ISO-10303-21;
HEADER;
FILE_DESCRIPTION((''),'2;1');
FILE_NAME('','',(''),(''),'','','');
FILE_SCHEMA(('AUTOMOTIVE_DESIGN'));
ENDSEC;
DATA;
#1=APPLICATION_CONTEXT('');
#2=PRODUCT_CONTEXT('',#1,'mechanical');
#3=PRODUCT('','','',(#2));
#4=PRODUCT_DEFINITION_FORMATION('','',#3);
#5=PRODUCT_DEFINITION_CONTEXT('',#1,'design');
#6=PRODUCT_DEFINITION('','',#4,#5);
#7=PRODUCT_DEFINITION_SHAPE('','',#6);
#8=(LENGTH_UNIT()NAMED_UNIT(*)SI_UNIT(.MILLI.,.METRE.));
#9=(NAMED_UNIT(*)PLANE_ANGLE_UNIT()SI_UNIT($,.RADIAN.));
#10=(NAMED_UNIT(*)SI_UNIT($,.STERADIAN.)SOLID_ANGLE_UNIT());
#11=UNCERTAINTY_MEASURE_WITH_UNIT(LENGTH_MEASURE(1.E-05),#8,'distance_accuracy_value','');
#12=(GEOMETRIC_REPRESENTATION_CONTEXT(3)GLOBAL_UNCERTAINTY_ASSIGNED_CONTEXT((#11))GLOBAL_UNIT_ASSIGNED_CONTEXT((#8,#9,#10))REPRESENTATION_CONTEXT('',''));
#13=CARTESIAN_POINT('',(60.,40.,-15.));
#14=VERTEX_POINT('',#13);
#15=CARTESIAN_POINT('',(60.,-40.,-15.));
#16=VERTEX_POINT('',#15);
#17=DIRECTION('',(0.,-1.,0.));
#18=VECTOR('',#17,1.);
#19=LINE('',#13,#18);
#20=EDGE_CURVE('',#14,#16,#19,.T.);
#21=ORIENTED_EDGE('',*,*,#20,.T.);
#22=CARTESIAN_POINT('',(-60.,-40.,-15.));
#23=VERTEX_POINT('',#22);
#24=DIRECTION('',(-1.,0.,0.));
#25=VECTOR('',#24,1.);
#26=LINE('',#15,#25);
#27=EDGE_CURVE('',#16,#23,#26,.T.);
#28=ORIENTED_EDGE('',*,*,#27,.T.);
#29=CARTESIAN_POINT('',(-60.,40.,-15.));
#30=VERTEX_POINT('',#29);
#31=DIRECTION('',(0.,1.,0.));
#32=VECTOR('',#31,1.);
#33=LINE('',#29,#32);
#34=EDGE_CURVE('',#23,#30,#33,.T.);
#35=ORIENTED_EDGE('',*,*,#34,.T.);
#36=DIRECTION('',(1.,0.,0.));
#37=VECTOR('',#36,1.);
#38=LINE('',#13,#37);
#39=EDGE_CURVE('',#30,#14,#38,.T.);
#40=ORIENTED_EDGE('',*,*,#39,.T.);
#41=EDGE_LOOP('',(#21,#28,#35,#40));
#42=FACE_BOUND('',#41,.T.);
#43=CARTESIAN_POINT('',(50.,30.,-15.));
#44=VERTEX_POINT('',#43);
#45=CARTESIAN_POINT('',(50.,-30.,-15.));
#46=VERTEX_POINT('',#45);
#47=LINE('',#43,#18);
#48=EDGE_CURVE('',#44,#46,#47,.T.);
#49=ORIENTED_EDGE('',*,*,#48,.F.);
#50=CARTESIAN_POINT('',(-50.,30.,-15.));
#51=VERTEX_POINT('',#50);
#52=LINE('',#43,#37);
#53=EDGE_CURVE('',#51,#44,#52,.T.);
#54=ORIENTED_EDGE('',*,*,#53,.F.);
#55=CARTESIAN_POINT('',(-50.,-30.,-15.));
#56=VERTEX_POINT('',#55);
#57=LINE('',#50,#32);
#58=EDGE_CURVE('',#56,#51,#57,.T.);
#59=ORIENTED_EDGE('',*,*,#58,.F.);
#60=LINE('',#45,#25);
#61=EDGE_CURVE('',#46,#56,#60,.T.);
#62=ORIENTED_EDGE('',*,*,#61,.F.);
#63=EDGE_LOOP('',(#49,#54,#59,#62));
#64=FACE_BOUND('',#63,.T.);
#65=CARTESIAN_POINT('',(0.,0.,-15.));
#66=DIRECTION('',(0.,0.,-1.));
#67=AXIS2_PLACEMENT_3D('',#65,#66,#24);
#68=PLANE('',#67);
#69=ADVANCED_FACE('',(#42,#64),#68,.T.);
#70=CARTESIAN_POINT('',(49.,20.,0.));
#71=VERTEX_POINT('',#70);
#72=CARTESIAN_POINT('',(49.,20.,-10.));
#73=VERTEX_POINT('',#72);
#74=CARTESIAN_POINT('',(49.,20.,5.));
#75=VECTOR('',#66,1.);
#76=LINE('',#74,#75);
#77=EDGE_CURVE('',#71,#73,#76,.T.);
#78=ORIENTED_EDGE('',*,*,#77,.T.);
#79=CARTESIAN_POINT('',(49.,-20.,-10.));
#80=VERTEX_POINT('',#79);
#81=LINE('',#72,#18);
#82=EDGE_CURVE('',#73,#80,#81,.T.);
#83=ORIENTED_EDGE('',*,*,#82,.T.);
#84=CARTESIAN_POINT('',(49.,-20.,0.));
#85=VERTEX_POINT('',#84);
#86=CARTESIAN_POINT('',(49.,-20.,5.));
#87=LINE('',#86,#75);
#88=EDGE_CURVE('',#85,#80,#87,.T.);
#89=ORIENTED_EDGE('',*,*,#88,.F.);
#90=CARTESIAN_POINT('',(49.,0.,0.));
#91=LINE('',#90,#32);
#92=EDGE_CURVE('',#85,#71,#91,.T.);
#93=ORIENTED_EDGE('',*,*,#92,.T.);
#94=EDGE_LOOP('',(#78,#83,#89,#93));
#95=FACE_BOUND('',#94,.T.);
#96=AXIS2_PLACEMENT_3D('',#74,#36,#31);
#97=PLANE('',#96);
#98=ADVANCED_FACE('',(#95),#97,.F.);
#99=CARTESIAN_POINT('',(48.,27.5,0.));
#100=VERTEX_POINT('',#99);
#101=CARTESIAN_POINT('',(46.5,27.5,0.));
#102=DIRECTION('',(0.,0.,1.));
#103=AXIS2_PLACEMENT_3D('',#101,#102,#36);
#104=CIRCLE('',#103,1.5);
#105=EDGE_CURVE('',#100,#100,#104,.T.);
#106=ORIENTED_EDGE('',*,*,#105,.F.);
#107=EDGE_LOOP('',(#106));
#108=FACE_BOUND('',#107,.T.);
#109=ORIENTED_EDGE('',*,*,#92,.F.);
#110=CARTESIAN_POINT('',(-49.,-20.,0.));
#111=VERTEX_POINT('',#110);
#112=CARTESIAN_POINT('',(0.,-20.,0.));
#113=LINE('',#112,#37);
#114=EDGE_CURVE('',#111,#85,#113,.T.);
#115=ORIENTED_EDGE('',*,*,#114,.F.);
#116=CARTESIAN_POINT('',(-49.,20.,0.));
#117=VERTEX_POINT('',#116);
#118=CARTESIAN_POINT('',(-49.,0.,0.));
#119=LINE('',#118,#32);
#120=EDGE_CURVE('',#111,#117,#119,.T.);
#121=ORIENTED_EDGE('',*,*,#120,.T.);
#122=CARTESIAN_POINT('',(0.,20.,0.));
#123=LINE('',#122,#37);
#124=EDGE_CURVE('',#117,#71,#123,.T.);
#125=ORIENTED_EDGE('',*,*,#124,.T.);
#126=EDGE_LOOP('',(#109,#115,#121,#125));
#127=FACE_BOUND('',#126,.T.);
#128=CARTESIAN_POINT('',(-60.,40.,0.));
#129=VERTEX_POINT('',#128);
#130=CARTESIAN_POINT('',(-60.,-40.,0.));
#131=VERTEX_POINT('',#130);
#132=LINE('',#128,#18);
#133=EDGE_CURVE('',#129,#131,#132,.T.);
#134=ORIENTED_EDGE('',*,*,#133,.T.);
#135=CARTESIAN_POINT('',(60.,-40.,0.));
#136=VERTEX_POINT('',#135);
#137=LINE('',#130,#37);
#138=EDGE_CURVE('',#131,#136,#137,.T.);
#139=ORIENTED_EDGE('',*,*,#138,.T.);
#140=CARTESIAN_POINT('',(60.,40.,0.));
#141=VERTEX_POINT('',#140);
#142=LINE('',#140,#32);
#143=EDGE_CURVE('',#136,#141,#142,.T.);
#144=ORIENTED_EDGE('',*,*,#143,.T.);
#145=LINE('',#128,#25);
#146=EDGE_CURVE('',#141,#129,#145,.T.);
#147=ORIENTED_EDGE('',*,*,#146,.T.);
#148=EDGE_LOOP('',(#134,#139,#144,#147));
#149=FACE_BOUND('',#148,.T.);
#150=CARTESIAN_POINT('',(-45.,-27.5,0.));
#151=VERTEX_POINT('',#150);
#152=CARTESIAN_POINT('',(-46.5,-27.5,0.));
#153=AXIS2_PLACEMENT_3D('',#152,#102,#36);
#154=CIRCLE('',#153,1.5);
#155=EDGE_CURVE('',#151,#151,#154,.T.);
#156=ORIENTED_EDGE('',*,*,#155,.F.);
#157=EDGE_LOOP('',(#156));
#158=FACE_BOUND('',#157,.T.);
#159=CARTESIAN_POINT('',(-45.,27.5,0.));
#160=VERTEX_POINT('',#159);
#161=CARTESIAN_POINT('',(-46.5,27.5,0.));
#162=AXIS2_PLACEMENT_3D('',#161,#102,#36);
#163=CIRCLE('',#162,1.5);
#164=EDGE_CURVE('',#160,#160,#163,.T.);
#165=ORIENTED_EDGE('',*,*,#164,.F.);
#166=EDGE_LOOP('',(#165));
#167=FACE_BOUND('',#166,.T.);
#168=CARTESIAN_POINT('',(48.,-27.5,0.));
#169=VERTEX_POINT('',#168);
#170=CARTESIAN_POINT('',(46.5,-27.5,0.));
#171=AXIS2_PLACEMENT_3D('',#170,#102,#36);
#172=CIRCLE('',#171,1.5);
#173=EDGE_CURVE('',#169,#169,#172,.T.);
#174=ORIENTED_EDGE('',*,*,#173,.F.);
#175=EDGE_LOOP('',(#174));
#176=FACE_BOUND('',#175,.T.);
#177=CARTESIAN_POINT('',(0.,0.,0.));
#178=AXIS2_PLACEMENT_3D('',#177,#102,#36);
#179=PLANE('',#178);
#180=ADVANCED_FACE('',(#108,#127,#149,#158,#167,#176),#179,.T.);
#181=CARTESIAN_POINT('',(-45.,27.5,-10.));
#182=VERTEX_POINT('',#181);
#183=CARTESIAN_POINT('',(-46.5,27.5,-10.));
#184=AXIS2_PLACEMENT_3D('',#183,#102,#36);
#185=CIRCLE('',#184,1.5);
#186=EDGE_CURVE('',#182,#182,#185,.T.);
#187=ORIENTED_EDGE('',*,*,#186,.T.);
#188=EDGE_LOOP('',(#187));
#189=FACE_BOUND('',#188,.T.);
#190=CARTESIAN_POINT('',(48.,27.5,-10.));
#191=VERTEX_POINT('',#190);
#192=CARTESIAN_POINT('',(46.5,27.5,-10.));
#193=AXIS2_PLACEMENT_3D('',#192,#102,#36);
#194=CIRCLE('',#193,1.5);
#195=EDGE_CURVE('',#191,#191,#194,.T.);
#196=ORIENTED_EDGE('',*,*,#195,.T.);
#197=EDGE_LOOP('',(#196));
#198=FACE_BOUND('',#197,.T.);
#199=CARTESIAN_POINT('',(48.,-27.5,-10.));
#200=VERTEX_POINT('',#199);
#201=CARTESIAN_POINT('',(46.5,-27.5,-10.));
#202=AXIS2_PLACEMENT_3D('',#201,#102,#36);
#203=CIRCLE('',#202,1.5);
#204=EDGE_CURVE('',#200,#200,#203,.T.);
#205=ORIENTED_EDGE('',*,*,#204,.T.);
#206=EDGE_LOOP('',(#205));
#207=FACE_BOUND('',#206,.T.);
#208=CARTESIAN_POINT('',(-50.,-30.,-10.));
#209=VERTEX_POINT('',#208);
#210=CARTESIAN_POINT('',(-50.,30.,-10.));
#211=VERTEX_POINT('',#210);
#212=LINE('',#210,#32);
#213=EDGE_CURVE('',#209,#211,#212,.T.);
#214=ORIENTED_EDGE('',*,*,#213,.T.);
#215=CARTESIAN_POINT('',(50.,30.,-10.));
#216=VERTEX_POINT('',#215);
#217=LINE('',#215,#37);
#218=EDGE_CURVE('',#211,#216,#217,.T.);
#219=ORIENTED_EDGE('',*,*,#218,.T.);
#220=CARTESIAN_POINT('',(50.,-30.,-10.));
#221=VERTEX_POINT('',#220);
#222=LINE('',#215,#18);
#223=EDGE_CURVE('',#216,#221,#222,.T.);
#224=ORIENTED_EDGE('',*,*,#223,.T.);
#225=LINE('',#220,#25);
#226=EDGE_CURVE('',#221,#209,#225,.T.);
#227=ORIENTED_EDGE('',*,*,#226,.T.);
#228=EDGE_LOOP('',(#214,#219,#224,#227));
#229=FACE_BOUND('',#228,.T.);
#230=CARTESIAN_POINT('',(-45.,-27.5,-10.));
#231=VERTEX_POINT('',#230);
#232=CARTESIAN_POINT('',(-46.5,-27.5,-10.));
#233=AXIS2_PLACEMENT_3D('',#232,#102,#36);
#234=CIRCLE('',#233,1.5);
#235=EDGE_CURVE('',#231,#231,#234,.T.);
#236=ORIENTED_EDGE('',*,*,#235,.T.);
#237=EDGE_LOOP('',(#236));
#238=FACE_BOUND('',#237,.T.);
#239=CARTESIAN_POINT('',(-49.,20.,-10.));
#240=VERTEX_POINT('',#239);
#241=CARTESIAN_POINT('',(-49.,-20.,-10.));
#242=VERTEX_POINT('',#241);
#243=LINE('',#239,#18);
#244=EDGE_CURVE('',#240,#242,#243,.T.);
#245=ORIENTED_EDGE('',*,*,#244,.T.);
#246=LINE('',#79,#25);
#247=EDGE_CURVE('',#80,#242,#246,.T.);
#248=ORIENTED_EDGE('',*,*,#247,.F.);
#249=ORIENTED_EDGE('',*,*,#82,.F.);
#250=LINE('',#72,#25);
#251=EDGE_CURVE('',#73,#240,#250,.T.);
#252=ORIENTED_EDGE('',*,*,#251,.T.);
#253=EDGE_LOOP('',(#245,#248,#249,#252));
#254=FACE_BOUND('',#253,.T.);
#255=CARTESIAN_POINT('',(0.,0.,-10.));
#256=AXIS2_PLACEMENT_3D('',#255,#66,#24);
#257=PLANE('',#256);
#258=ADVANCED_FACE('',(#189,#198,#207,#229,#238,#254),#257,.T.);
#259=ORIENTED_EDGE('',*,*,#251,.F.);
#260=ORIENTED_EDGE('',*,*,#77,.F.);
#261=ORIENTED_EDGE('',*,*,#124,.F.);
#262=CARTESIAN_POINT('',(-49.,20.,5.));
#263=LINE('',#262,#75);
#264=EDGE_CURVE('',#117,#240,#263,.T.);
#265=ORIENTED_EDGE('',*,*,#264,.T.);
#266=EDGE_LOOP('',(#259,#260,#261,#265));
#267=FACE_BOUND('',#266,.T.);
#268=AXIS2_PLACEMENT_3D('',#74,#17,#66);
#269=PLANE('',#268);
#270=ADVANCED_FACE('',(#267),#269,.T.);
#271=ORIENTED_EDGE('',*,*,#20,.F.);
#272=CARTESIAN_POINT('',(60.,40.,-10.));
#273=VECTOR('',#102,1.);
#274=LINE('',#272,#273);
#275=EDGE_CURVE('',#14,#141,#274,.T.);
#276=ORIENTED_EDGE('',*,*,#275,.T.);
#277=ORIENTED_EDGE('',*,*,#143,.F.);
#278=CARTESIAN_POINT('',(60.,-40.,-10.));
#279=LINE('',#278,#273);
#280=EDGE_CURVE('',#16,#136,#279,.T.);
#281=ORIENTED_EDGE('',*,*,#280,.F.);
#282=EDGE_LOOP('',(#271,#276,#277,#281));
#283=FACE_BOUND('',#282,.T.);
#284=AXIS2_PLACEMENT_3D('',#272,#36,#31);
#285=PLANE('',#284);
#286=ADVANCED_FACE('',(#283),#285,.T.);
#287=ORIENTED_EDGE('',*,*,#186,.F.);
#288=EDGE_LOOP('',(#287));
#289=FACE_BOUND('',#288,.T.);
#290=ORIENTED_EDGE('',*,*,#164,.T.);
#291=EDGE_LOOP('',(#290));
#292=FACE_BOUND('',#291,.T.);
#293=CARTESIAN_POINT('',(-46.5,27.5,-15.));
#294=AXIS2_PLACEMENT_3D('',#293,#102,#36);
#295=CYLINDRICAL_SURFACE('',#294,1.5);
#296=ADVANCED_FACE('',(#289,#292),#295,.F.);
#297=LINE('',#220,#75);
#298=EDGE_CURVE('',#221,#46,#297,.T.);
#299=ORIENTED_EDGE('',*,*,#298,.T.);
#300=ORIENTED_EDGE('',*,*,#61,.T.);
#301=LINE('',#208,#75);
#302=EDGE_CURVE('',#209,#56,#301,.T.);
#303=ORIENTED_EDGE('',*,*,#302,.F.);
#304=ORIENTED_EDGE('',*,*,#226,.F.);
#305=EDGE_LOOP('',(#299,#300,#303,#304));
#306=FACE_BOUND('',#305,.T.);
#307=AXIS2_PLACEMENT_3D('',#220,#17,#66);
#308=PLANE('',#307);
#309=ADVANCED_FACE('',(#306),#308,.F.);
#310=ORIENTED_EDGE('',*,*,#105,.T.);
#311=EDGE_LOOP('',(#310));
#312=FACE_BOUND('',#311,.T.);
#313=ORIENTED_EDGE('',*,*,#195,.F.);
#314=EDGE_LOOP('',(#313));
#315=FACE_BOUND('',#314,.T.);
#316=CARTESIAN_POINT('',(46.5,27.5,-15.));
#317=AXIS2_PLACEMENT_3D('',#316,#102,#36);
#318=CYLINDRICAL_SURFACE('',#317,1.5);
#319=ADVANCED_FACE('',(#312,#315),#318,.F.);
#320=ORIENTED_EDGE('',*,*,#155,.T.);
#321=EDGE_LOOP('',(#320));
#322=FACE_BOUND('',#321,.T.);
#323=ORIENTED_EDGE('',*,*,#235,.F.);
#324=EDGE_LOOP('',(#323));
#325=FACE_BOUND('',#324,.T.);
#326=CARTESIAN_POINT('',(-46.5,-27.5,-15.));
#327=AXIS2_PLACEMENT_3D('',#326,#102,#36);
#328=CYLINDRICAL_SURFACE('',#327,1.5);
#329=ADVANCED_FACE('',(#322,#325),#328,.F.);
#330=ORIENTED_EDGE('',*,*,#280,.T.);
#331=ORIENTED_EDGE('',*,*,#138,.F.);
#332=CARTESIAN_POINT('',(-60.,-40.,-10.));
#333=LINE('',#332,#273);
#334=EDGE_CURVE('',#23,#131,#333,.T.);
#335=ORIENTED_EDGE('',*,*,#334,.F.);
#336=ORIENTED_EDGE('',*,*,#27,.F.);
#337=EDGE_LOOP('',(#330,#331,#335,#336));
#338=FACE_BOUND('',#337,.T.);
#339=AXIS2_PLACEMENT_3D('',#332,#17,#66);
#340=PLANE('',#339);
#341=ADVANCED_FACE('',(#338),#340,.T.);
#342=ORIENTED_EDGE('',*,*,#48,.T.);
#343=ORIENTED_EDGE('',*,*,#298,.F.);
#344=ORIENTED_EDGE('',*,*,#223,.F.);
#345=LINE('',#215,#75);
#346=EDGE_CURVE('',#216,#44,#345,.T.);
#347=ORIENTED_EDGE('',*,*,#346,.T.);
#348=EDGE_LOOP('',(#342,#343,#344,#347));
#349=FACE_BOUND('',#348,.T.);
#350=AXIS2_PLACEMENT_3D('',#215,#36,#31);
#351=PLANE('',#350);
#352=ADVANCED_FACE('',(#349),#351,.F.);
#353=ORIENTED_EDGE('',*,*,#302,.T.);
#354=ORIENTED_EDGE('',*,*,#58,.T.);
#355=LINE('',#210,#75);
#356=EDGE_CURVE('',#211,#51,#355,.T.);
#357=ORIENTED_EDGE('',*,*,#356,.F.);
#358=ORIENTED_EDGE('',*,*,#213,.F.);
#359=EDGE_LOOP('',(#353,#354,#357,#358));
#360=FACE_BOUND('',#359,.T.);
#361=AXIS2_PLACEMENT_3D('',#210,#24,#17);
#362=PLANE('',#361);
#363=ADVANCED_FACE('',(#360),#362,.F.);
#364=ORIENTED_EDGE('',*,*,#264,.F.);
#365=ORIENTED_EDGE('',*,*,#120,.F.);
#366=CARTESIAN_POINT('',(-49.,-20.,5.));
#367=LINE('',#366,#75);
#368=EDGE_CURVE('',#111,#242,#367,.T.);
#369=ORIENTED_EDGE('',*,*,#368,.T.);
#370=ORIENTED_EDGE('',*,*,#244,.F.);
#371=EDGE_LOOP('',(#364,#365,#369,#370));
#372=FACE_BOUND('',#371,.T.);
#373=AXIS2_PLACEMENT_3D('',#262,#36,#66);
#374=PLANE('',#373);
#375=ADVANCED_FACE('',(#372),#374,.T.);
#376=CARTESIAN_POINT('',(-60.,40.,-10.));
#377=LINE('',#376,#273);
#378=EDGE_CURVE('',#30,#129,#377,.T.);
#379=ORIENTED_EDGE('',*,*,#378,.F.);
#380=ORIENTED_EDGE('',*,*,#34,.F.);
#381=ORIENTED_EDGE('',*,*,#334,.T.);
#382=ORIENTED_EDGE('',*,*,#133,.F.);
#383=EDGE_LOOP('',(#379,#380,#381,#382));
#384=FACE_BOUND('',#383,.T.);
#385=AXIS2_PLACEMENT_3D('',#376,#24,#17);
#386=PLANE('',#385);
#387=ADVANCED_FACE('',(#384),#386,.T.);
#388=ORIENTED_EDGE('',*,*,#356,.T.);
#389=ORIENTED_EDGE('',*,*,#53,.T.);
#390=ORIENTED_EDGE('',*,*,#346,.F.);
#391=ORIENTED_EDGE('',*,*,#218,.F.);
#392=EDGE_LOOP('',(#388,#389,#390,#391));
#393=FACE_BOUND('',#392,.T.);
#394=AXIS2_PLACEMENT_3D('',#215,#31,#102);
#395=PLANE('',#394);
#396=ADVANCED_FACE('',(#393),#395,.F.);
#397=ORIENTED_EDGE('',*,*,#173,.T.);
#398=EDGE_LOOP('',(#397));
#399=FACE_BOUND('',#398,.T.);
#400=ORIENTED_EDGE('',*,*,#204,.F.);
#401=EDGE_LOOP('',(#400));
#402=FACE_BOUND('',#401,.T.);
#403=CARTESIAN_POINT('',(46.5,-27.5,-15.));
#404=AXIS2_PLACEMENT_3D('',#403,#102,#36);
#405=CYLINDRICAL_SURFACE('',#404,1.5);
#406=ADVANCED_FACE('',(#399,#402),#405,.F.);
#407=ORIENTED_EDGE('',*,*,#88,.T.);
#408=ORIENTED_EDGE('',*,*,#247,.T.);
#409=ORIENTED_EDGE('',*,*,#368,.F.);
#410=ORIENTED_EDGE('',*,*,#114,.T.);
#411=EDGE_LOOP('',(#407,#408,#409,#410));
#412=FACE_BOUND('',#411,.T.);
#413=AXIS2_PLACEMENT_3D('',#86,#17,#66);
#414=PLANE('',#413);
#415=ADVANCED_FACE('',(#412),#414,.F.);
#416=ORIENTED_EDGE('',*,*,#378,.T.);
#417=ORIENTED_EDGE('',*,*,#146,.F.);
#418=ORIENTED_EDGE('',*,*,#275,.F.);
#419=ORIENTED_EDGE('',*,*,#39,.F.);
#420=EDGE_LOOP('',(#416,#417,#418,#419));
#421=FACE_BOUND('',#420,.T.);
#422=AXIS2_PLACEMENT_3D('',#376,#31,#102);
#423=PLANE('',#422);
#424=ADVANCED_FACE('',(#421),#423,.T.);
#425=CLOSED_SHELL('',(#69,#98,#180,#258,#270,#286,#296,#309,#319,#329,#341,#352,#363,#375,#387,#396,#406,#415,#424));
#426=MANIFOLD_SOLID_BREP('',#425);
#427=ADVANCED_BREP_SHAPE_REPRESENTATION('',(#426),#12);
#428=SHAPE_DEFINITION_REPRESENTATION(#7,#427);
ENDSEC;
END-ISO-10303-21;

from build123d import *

# Parameters (mm, degrees)
SKETCH1_W           = 120
SKETCH1_H           = 80
BOSS_EXTRUDE1_DEPTH = 10
SKETCH2_W           = 98
SKETCH2_H           = 40
CUT_EXTRUDE2_DEPTH  = 15
SKETCH4_R           = 1.5
CUT_EXTRUDE3_DEPTH  = 15
SKETCH5_W           = 120
SKETCH5_H           = 80
BOSS_EXTRUDE2_DEPTH = 5
SKETCH6_W           = 100
SKETCH6_H           = 60
CUT_EXTRUDE5_DEPTH  = 5


with BuildPart() as part:
    # Sketch1 → Boss-Extrude1 (new body)
    with BuildSketch(Plane.XY):
        Rectangle(SKETCH1_W, SKETCH1_H)
    extrude(amount=-BOSS_EXTRUDE1_DEPTH)

    # Sketch2 → Cut-Extrude2 (cut)
    with BuildSketch(Plane(origin=(0, 0, -10), x_dir=(-1, 0, 0), z_dir=(0, 0, -1))):
        Rectangle(SKETCH2_W, SKETCH2_H)
    extrude(amount=-CUT_EXTRUDE2_DEPTH, mode=Mode.SUBTRACT)

    # Sketch4 → Cut-Extrude3 (cut)
    with BuildSketch(Plane.XY):
        with Locations((-46.5, 27.5)):
            Circle(SKETCH4_R)
        with Locations((46.5, 27.5)):
            Circle(SKETCH4_R)
        with Locations((46.5, -27.5)):
            Circle(SKETCH4_R)
        with Locations((-46.5, -27.5)):
            Circle(SKETCH4_R)
    extrude(amount=-CUT_EXTRUDE3_DEPTH, mode=Mode.SUBTRACT)

    # Sketch5 → Boss-Extrude2 (add)
    with BuildSketch(Plane(origin=(0, 0, -10), x_dir=(-1, 0, 0), z_dir=(0, 0, -1))):
        Rectangle(SKETCH5_W, SKETCH5_H)
    extrude(amount=BOSS_EXTRUDE2_DEPTH)

    # Sketch6 → Cut-Extrude5 (cut)
    with BuildSketch(Plane(origin=(0, 0, -15), x_dir=(-1, 0, 0), z_dir=(0, 0, -1))):
        Rectangle(SKETCH6_W, SKETCH6_H)
    extrude(amount=-CUT_EXTRUDE5_DEPTH, mode=Mode.SUBTRACT)


solid = part.part
